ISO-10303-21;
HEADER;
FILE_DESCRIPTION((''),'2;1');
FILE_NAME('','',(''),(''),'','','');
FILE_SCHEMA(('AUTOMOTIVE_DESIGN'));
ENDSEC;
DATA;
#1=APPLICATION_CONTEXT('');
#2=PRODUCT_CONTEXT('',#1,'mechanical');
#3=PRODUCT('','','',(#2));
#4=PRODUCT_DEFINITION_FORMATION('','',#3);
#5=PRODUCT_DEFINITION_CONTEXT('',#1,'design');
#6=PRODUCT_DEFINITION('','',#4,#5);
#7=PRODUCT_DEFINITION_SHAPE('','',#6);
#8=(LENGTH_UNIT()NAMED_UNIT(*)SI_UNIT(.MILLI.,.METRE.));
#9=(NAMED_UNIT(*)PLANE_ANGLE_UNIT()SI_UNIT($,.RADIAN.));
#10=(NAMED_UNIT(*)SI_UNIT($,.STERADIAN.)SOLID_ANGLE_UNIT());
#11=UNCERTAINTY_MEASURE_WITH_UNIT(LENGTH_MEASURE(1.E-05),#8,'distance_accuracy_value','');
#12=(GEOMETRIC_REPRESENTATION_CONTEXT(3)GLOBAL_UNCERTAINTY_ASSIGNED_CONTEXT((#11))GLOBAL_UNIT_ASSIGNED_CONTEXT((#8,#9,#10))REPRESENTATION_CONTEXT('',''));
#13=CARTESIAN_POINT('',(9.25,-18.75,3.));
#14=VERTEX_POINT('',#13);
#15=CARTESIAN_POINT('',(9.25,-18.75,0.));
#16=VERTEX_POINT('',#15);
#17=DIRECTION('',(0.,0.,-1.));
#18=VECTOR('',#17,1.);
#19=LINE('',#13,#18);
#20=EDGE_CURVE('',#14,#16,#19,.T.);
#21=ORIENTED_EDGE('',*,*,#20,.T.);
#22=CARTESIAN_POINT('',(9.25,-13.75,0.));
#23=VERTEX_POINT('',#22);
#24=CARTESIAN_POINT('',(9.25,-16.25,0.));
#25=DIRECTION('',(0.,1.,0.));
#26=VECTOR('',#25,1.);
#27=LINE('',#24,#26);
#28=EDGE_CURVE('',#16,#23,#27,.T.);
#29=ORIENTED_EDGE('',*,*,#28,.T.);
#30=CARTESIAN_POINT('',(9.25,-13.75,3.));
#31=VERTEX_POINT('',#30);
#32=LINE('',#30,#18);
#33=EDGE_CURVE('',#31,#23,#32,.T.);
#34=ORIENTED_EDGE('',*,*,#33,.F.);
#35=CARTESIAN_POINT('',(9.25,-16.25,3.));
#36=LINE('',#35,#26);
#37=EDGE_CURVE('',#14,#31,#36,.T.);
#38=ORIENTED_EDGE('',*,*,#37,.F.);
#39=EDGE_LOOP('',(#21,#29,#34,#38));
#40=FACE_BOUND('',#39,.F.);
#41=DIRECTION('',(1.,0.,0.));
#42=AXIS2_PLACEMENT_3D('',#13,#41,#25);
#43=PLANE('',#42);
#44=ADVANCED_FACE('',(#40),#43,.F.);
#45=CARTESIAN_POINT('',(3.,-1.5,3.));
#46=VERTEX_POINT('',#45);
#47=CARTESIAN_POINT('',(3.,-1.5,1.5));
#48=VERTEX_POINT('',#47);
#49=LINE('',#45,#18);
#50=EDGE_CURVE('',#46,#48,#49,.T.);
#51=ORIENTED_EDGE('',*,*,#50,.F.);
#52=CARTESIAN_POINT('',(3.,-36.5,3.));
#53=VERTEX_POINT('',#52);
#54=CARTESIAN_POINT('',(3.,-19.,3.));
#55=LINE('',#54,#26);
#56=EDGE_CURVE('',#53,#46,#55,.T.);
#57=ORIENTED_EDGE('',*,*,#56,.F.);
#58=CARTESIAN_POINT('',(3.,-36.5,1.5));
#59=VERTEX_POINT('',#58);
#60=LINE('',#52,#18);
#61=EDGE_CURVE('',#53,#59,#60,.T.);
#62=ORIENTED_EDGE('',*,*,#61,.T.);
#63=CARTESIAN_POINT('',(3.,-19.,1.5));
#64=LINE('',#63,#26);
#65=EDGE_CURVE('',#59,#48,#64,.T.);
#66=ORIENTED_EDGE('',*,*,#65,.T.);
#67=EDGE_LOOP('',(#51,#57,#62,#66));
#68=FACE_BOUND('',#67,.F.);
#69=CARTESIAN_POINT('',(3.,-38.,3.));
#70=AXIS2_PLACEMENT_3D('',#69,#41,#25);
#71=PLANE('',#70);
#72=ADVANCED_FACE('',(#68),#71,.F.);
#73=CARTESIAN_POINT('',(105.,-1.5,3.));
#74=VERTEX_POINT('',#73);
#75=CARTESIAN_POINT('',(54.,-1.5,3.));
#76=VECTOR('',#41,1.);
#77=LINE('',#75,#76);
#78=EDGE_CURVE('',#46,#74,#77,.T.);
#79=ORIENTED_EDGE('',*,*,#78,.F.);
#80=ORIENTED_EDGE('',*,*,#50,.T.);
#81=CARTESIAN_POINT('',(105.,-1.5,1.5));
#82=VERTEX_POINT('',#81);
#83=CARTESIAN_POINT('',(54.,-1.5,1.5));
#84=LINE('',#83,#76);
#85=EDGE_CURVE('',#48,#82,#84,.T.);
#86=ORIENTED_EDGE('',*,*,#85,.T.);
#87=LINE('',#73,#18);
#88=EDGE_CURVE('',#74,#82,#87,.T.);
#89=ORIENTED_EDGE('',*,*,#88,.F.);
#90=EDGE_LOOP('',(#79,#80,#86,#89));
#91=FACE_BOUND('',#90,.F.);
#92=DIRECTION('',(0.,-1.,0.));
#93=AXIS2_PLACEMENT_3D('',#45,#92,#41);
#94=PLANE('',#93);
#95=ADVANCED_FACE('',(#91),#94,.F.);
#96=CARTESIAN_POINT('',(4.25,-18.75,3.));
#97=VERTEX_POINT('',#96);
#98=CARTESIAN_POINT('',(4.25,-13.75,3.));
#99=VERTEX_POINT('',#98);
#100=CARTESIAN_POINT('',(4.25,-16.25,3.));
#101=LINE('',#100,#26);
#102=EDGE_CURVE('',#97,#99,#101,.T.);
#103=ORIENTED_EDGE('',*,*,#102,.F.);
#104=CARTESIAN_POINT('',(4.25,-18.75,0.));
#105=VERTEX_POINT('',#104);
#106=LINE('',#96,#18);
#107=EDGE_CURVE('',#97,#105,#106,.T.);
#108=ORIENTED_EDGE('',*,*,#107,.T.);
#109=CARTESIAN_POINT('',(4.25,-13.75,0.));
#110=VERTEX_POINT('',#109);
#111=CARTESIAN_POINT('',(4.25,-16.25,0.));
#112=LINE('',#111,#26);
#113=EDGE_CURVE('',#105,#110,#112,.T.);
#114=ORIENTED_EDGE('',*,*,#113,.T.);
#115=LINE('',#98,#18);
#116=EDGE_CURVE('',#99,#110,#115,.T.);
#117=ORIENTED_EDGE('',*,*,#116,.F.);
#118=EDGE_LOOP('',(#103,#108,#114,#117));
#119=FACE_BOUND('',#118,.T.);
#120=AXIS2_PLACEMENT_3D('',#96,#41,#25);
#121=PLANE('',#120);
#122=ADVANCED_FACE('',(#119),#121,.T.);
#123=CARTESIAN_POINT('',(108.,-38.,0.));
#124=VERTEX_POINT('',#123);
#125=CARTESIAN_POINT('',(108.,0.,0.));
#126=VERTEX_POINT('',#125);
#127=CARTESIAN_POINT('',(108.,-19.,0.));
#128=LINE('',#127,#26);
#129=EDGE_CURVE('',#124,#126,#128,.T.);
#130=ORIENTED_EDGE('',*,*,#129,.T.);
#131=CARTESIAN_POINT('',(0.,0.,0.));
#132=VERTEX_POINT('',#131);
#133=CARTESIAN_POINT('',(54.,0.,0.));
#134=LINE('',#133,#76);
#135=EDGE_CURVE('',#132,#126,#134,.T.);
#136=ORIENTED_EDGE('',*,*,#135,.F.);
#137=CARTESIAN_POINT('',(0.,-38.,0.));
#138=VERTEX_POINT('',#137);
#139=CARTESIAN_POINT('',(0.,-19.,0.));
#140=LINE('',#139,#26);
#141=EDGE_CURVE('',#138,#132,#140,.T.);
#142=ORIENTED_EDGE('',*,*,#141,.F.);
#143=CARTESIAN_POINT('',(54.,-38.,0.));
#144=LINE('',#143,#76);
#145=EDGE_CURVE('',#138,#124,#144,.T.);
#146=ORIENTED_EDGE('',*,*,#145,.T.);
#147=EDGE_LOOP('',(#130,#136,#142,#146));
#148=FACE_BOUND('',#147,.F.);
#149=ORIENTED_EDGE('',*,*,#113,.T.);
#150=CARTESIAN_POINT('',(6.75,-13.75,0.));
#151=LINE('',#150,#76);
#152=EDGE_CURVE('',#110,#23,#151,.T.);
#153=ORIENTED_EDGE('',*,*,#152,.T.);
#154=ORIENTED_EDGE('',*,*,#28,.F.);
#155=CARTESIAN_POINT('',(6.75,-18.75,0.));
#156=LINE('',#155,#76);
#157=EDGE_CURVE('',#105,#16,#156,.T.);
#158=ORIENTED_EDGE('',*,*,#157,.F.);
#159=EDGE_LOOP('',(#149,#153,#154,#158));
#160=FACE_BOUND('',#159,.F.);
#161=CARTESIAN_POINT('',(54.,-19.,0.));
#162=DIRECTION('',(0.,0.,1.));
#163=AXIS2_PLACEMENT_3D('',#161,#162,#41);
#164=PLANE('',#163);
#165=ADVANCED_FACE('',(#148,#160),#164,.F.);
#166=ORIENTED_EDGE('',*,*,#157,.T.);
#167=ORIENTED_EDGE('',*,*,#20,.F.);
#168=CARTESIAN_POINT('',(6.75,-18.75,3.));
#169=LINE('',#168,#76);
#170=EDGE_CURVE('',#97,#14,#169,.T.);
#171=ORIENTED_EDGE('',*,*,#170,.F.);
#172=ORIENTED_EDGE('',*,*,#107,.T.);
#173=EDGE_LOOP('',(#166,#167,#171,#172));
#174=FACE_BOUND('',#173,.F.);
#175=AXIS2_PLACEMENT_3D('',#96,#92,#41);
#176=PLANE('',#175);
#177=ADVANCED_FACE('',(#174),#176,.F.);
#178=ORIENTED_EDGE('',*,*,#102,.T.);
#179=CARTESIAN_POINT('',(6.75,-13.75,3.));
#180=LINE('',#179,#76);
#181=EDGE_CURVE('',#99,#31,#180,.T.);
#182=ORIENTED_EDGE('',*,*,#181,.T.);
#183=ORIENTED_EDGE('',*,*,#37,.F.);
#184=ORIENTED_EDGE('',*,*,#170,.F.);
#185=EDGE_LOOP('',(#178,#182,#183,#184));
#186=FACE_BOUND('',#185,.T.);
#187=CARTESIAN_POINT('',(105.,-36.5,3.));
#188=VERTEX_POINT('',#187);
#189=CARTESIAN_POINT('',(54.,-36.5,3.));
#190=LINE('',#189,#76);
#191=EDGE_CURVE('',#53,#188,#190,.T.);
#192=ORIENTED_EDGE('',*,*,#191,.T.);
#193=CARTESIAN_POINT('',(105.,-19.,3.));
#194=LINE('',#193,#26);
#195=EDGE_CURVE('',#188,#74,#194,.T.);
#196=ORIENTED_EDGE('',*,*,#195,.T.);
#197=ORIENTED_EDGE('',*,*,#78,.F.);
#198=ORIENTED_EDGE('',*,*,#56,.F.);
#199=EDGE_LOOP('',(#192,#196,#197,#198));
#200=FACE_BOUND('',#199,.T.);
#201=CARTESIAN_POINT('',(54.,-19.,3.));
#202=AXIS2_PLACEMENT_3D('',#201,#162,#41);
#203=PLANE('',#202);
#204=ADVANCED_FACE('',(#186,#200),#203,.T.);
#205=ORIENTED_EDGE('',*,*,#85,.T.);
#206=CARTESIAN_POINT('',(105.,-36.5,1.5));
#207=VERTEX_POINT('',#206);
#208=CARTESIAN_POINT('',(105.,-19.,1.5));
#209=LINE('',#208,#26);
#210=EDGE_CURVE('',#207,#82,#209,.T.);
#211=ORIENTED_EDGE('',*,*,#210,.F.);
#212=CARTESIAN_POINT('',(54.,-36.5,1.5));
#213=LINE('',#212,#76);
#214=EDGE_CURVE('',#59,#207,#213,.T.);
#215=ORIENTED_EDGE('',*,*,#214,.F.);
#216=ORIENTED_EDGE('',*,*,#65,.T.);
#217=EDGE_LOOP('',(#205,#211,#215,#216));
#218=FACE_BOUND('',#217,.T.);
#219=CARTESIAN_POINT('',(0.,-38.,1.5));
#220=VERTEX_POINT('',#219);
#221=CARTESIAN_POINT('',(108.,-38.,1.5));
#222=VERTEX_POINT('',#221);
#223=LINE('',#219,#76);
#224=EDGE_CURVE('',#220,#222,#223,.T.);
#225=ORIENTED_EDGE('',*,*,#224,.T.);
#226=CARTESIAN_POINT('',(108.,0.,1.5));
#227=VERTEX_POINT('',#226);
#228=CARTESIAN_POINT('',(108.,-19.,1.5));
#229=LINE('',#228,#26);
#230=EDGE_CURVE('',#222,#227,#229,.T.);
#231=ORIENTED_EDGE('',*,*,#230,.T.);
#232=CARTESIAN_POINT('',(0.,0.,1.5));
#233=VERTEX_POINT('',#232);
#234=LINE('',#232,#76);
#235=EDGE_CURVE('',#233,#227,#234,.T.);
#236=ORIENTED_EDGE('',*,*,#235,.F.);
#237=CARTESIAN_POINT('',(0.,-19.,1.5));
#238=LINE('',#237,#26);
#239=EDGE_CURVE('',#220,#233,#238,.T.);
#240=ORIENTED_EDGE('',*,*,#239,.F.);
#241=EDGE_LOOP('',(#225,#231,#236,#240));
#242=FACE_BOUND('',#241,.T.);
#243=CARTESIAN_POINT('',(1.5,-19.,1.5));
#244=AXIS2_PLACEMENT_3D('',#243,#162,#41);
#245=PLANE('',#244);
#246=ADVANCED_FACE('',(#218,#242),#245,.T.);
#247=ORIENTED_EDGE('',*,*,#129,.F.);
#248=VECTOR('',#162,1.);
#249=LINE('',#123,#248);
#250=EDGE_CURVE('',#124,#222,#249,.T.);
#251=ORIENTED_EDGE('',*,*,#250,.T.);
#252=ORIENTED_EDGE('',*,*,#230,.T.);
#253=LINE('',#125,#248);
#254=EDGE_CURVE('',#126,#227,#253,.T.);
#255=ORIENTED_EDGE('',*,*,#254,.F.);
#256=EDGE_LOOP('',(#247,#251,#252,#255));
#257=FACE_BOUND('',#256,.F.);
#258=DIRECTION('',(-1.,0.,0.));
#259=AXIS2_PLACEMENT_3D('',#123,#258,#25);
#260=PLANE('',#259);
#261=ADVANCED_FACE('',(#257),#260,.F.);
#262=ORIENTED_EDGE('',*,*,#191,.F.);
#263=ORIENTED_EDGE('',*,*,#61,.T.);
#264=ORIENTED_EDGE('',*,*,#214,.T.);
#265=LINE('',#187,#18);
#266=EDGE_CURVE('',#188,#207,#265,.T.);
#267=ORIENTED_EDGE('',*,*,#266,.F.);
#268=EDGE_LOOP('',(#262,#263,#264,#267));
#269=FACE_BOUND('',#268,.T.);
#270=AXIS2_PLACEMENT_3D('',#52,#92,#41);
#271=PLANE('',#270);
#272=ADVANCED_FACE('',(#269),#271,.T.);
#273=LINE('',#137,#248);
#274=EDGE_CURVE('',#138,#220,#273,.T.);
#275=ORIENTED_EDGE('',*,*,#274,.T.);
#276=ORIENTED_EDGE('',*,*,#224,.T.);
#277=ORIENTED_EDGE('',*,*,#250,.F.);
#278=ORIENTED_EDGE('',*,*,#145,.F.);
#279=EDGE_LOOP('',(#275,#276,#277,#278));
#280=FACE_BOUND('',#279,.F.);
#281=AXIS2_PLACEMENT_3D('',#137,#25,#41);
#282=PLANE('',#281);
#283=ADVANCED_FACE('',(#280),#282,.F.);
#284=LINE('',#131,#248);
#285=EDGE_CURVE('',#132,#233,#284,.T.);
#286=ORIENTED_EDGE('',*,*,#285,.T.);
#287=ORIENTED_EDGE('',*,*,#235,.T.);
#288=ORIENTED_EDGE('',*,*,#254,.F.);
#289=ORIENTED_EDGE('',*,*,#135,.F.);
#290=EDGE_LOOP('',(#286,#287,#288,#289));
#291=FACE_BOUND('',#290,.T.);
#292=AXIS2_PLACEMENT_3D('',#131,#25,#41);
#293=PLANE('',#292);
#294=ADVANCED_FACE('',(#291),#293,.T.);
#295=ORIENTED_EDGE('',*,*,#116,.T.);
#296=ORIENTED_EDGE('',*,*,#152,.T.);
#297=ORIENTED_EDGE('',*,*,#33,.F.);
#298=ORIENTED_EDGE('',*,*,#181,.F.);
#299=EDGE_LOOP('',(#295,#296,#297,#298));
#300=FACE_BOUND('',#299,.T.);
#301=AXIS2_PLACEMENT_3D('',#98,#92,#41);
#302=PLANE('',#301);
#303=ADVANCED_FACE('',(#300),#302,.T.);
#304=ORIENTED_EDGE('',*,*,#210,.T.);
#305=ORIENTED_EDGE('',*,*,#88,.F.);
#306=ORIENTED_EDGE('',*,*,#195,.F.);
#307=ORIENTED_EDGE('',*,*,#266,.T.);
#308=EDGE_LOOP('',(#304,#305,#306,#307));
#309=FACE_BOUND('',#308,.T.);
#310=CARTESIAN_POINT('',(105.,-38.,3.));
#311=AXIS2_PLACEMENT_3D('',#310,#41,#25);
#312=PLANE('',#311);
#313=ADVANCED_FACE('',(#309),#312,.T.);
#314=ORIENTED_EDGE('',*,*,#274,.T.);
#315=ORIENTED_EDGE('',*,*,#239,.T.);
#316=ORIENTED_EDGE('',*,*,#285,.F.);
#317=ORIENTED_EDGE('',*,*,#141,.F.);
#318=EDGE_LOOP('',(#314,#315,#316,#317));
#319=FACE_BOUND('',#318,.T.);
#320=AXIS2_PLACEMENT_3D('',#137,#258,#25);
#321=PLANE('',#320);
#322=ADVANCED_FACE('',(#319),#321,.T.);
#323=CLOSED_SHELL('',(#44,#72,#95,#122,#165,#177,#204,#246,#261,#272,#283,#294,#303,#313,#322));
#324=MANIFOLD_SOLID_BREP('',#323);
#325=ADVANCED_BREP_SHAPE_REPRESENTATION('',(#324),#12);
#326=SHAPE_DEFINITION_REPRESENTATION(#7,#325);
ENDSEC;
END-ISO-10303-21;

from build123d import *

# Parameters (mm, degrees)
SKETCH_W        = 108
SKETCH_H        = 38
PAD_DEPTH       = 3
SKETCH002_W     = 3
SKETCH002_H     = 38
POCKET_DEPTH    = 1.5
SKETCH003_W     = 3
SKETCH003_H     = 38
POCKET001_DEPTH = 1.5
SKETCH004_W     = 102
SKETCH004_H     = 1.5
POCKET002_DEPTH = 1.5
SKETCH005_W     = 102
SKETCH005_H     = 1.5
POCKET003_DEPTH = 1.5
SKETCH006_W     = 5
SKETCH006_H     = 5
POCKET004_DEPTH = 3


with BuildPart() as part:
    # Sketch → Pad (new body)
    with BuildSketch(Plane.XY):
        with Locations((54, -19)):
            Rectangle(SKETCH_W, SKETCH_H)
    extrude(amount=PAD_DEPTH)

    # Sketch002 (on Face6 of Pad) → Pocket (cut)
    with BuildSketch(Plane.XY.offset(3)):
        with Locations((1.5, -19)):
            Rectangle(SKETCH002_W, SKETCH002_H)
    extrude(amount=-POCKET_DEPTH, mode=Mode.SUBTRACT)

    # Sketch003 (on Face4 of Pocket) → Pocket001 (cut)
    with BuildSketch(Plane.XY.offset(3)):
        with Locations((106.5, -19)):
            Rectangle(SKETCH003_W, SKETCH003_H)
    extrude(amount=-POCKET001_DEPTH, mode=Mode.SUBTRACT)

    # Sketch004 (on Face6 of Pocket001) → Pocket002 (cut)
    with BuildSketch(Plane.XY.offset(3)):
        with Locations((54, -0.75)):
            Rectangle(SKETCH004_W, SKETCH004_H)
    extrude(amount=-POCKET002_DEPTH, mode=Mode.SUBTRACT)

    # Sketch005 (on Face12 of Pocket002) → Pocket003 (cut)
    with BuildSketch(Plane.XY.offset(3)):
        with Locations((54, -37.25)):
            Rectangle(SKETCH005_W, SKETCH005_H)
    extrude(amount=-POCKET003_DEPTH, mode=Mode.SUBTRACT)

    # Sketch006 (on Face13 of Pocket003) → Pocket004 (cut)
    with BuildSketch(Plane.XY.offset(3)):
        with Locations((6.75, -16.25)):
            Rectangle(SKETCH006_W, SKETCH006_H)
    extrude(amount=-POCKET004_DEPTH, mode=Mode.SUBTRACT)


solid = part.part
